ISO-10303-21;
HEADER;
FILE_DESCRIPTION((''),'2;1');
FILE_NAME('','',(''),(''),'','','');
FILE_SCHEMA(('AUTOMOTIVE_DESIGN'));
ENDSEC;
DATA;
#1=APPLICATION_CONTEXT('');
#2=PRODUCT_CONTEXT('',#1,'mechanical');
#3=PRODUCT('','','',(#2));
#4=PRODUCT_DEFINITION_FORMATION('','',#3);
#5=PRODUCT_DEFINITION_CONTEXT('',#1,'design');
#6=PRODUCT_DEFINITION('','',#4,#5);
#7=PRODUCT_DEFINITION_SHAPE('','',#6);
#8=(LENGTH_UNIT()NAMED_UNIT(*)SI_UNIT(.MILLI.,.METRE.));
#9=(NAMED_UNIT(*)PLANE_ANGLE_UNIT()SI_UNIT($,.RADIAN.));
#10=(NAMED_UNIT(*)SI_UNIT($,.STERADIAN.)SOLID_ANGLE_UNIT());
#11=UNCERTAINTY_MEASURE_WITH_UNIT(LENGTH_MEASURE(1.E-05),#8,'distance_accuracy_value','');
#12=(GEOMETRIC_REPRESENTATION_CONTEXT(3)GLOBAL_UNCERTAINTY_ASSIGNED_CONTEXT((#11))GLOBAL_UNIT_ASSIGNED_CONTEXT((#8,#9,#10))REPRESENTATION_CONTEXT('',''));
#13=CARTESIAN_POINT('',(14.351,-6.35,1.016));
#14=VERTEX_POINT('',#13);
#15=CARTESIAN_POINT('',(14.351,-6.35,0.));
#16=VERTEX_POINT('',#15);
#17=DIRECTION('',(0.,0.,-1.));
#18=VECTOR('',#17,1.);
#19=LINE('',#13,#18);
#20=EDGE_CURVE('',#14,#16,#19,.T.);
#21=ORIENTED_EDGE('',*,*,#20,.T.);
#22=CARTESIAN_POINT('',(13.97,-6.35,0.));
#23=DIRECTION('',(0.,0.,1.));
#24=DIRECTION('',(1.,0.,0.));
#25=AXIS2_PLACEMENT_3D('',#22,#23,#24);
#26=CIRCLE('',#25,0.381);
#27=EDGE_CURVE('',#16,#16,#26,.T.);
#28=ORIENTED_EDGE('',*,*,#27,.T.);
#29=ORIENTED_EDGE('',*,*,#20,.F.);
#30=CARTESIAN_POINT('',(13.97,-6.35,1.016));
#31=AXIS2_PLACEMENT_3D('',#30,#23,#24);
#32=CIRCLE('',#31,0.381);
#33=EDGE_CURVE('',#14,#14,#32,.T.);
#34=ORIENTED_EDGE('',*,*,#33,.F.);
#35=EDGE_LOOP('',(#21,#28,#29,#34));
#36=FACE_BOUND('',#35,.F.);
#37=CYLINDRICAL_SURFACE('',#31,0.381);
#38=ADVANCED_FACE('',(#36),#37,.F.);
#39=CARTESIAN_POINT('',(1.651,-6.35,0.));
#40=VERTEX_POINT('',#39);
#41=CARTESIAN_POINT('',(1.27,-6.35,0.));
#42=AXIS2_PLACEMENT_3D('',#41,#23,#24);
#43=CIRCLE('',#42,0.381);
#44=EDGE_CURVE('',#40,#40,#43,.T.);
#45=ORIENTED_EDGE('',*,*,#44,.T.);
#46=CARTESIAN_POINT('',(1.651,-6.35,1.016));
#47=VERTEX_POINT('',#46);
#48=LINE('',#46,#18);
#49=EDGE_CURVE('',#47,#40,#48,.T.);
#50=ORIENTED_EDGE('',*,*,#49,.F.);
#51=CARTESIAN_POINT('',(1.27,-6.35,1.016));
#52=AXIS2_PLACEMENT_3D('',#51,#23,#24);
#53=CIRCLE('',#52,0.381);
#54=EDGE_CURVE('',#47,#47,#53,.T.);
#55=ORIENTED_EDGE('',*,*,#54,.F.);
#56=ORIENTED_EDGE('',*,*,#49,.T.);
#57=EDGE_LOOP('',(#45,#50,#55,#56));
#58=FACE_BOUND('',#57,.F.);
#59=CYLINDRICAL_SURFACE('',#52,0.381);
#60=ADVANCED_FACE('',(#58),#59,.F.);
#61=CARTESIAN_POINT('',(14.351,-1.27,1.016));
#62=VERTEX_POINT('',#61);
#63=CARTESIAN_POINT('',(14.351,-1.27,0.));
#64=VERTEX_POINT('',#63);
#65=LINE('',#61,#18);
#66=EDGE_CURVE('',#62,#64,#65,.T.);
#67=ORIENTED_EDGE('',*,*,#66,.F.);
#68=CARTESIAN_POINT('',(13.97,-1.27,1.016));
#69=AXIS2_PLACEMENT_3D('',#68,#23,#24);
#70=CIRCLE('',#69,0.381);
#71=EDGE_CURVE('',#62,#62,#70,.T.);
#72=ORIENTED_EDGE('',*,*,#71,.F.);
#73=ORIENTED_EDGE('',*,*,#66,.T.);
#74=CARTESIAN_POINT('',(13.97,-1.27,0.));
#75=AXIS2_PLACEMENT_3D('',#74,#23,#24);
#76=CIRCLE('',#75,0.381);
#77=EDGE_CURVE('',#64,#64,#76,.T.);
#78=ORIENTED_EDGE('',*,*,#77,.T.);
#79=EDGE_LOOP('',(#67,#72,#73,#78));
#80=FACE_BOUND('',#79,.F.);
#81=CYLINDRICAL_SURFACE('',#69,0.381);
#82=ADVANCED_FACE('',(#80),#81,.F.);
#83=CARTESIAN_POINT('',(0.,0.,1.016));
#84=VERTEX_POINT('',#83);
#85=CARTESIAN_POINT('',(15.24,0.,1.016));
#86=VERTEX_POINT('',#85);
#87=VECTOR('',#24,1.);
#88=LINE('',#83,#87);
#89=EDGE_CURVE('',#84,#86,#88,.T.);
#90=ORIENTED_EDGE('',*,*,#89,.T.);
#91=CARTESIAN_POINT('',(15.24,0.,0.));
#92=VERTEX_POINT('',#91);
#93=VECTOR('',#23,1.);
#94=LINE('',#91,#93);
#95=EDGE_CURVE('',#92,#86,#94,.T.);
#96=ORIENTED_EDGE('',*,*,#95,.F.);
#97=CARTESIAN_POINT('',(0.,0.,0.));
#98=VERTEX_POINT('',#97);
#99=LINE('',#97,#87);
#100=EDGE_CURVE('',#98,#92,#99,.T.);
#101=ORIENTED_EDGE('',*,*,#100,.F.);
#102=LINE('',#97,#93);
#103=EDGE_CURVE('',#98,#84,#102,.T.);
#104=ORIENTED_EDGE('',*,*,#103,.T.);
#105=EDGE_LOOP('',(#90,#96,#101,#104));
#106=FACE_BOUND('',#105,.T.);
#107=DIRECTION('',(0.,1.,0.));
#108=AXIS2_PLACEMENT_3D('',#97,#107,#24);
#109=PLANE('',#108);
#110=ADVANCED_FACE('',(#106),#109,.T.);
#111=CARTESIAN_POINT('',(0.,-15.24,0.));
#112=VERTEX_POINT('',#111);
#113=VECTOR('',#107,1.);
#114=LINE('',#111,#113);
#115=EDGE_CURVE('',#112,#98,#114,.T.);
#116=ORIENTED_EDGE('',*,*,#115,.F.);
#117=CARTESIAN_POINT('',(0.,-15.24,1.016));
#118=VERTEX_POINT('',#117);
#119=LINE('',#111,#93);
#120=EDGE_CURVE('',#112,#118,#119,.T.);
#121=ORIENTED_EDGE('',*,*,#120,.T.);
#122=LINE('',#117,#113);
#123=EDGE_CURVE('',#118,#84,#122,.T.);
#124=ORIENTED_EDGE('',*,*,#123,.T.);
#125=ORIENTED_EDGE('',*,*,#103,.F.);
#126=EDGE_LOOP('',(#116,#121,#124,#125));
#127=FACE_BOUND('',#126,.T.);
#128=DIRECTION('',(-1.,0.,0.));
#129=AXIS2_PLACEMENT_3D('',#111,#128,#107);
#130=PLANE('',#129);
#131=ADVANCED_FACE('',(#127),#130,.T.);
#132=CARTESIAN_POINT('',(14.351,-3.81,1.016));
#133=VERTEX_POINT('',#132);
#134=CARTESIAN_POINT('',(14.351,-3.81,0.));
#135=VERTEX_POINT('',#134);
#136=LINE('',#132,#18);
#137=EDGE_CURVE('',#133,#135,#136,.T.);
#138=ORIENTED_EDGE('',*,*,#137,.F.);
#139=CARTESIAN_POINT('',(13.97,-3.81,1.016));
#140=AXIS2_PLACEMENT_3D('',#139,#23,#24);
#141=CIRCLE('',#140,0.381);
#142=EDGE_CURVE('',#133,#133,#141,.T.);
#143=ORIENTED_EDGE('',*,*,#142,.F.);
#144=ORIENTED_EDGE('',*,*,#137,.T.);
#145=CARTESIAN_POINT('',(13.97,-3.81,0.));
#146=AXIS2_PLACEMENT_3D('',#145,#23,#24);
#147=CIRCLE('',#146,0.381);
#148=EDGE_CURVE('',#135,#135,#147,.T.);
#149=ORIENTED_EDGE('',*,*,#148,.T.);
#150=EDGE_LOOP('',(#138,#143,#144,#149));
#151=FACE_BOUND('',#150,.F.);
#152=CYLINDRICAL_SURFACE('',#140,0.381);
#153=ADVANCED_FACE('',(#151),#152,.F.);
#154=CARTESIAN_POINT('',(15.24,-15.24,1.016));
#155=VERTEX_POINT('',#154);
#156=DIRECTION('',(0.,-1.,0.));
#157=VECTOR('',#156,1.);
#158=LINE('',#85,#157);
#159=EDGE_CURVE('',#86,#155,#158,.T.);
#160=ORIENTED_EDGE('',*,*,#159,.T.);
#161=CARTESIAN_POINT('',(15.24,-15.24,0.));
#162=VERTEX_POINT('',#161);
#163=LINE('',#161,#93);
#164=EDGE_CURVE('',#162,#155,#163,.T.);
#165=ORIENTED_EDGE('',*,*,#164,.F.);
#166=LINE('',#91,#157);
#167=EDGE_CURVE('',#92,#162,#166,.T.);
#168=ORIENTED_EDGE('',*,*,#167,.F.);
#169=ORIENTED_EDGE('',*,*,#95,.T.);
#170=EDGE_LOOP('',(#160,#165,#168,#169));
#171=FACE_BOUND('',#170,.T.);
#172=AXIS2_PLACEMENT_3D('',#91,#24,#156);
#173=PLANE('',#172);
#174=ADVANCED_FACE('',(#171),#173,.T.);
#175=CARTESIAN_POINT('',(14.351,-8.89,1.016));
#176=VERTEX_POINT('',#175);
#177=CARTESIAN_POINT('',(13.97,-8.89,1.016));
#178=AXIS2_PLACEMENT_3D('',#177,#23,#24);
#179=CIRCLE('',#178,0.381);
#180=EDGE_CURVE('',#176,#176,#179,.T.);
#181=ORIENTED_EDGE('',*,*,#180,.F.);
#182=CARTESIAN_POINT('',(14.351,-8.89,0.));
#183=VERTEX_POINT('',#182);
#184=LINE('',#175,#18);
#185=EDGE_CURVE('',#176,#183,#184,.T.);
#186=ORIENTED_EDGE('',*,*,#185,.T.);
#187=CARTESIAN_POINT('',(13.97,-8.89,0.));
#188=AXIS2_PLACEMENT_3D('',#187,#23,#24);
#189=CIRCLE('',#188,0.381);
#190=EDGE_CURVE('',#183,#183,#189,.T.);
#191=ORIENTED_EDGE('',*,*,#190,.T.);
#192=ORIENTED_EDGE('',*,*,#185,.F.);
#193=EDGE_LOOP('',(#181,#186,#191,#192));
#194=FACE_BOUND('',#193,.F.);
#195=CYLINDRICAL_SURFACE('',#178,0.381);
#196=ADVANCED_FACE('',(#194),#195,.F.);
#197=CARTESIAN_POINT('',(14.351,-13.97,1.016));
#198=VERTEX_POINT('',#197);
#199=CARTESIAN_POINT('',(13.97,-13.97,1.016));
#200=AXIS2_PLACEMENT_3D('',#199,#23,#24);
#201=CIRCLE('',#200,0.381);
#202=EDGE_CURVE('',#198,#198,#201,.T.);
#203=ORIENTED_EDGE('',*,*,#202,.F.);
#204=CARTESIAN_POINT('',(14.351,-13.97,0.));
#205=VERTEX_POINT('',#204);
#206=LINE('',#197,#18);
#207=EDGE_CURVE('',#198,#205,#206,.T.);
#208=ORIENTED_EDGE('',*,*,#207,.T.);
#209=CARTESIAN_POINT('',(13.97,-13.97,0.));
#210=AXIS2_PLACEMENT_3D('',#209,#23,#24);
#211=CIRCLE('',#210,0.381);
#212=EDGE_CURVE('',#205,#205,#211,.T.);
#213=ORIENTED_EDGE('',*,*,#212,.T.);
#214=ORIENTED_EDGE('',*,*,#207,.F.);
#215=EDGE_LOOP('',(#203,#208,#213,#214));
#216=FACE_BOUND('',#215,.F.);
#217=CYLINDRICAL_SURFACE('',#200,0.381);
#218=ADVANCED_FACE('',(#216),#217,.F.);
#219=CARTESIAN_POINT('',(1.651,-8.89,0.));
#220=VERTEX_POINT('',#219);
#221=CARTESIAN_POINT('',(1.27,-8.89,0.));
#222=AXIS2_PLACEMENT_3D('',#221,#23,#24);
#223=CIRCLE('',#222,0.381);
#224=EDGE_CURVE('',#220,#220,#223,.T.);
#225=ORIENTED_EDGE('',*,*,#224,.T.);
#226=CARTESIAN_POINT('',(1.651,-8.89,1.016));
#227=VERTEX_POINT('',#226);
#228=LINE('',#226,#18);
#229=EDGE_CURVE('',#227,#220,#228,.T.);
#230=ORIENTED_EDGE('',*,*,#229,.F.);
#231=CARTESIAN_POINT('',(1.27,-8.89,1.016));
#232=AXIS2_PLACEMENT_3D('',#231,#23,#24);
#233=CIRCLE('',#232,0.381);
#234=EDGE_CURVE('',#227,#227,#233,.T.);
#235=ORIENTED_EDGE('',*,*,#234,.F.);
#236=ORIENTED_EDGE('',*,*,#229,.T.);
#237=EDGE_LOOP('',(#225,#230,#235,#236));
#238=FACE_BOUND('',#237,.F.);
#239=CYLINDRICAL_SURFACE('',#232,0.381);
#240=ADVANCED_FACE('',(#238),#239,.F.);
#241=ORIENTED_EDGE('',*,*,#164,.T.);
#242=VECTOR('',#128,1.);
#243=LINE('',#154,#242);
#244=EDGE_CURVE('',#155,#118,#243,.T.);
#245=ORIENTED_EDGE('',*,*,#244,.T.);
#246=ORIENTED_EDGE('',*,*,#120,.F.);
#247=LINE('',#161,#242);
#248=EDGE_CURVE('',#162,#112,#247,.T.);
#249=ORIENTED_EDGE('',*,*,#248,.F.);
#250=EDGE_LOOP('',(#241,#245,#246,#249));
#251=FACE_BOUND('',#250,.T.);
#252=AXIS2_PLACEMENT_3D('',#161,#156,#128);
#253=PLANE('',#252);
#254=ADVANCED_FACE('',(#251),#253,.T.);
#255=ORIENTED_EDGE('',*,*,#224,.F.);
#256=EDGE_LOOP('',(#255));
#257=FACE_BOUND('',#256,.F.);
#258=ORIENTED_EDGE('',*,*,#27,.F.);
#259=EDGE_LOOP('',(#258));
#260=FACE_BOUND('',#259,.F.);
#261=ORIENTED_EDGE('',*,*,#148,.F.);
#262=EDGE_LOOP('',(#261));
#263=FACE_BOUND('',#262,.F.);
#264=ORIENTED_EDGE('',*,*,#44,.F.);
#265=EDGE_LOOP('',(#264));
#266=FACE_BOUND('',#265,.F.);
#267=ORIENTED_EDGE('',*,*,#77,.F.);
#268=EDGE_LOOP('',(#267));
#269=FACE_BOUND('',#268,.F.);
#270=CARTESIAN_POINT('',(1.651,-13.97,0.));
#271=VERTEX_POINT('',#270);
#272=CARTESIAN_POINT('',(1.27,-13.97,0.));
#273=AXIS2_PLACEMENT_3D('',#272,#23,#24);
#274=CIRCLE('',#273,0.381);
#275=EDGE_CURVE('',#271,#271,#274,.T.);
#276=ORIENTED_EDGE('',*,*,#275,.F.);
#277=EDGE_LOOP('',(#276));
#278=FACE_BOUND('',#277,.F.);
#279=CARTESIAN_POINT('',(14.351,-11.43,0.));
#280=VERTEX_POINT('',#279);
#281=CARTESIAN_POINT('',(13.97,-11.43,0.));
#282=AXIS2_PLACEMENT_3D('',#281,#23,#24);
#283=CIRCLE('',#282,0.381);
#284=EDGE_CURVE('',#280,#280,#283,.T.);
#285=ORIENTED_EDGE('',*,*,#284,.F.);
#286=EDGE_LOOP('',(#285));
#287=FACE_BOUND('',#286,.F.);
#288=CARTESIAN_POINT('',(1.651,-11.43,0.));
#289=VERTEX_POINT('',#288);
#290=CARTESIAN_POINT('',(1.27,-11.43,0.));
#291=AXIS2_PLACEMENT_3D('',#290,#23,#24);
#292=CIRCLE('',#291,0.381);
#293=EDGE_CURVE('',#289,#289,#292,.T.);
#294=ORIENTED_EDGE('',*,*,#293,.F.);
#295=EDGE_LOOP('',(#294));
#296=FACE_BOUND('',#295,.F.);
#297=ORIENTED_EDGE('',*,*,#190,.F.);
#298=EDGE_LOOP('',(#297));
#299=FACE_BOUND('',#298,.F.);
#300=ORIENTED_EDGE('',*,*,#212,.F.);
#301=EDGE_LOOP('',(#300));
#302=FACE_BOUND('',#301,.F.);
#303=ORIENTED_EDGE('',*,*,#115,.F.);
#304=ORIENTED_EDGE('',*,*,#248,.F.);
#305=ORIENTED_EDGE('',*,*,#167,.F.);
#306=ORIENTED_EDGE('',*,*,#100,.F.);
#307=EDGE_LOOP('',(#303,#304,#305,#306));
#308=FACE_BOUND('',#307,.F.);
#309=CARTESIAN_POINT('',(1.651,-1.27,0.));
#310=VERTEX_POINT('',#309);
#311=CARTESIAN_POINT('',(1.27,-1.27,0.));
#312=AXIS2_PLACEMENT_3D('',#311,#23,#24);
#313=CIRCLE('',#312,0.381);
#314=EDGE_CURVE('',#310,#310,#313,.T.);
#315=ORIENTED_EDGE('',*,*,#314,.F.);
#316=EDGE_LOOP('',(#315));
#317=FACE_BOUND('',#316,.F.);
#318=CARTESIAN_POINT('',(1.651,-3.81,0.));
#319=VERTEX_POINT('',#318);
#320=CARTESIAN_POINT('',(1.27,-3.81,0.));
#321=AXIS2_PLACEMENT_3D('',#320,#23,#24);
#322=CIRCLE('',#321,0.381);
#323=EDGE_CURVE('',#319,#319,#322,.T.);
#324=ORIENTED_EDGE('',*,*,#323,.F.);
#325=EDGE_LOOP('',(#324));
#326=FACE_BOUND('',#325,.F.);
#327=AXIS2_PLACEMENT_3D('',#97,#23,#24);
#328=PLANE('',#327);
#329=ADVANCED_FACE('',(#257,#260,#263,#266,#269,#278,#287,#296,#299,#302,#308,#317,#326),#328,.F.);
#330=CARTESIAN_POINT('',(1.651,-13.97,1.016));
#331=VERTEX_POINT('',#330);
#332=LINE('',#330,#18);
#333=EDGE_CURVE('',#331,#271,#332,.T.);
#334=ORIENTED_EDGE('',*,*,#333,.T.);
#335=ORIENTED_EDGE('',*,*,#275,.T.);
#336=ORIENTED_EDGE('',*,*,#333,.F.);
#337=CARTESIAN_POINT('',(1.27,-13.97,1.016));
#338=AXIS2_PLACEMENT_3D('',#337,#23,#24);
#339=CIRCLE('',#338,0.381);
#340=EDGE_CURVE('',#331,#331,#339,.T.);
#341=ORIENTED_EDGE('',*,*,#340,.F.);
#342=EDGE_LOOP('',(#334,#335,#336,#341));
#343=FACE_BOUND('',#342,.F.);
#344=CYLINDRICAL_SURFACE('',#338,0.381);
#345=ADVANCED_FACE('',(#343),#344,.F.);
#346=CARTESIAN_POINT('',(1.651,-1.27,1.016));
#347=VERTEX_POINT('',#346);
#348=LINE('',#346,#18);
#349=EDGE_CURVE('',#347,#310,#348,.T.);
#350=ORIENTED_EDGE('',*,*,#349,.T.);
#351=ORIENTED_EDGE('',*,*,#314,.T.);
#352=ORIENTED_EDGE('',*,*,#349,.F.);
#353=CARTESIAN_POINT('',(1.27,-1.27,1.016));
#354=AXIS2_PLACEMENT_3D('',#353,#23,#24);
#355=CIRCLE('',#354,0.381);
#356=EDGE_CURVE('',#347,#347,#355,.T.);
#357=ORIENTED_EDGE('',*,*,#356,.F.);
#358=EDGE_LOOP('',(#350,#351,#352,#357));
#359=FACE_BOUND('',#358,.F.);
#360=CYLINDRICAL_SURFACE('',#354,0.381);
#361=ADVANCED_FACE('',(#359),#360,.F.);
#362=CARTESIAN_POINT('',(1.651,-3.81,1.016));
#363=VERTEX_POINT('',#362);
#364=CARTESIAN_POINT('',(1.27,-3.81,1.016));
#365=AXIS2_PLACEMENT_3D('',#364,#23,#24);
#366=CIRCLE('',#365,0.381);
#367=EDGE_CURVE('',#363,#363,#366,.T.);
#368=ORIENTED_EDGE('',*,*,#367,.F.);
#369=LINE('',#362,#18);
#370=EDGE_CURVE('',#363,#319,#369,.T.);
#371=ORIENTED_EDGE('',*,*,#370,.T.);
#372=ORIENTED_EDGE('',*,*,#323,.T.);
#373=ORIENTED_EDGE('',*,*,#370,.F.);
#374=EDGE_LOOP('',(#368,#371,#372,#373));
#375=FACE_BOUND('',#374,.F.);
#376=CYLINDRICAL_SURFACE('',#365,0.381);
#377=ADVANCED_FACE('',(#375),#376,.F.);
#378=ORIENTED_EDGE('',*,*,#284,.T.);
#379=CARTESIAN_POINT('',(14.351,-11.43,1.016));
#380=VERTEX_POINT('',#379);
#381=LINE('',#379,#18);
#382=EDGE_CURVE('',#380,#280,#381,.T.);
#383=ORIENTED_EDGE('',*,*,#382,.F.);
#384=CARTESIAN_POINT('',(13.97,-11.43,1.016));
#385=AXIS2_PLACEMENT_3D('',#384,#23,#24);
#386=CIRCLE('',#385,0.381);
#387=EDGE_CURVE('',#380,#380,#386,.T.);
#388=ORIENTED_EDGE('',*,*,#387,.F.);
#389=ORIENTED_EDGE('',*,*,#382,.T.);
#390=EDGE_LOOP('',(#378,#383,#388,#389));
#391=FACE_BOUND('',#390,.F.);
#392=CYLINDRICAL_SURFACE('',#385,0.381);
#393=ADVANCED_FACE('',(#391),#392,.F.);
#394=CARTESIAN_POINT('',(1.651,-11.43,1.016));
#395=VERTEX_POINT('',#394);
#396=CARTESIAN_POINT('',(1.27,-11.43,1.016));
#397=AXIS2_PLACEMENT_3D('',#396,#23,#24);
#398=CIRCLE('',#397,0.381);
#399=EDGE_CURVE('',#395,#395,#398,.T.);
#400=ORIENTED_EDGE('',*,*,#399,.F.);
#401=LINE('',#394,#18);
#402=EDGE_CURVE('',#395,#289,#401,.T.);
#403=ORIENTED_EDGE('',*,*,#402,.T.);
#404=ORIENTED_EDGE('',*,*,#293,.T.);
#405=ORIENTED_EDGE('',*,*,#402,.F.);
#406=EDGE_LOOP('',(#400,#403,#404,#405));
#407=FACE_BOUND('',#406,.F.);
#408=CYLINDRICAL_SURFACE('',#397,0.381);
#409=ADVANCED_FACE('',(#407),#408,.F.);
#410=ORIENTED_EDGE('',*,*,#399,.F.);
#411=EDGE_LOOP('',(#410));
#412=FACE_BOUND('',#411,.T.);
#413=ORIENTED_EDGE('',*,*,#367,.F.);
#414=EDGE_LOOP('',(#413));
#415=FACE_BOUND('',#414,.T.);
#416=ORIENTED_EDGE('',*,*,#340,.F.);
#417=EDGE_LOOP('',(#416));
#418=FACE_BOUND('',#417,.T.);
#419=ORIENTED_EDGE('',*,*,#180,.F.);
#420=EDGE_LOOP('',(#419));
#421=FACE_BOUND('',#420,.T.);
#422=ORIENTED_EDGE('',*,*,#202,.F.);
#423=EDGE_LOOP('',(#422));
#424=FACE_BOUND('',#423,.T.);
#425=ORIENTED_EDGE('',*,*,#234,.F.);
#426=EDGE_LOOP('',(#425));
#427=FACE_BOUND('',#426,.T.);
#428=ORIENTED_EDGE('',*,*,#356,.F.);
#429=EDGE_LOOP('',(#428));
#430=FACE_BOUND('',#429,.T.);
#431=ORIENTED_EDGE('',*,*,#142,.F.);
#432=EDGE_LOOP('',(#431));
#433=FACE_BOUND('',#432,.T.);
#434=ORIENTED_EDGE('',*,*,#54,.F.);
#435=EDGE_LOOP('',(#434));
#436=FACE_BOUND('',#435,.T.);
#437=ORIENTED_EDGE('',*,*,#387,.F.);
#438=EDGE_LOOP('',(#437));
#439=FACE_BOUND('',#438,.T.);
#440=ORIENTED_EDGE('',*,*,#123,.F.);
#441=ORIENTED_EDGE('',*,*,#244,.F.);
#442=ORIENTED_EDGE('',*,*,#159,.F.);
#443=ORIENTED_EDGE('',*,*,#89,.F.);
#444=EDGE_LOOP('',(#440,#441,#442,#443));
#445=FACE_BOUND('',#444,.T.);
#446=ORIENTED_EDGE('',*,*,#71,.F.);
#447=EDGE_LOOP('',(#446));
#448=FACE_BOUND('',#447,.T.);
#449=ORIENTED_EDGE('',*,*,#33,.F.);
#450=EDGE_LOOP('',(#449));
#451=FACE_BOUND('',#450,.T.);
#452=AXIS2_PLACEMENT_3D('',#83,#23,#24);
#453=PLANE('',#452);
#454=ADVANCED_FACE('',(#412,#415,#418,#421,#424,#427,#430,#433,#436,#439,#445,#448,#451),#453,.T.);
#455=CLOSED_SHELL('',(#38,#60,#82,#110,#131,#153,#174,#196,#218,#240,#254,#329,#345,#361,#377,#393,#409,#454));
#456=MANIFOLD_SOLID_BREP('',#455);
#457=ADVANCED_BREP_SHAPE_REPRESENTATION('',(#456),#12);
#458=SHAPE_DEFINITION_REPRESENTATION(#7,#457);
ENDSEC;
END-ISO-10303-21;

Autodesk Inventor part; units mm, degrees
ref_plane "YZ Plane" through (0, 0, 0) normal (1, 0, 0) x (0, 1, 0)
ref_plane "XZ Plane" through (0, 0, 0) normal (0, 1, 0) x (-1, 0, 0)
ref_plane "XY Plane" through (0, 0, 0) normal (0, 0, 1) x (1, 0, 0)
sketch "Sketch1" plane through (0, 0, 0) normal (0, 0, 1) x (1, 0, 0)
  line L0 (0, 0) -> (15.24, 0)
  line L1 (15.24, 0) -> (15.24, -15.24)
  line L2 (15.24, -15.24) -> (0, -15.24)
  line L3 (0, -15.24) -> (0, 0)
  dimension "d0" = 15.24
  dimension "d1" = 15.24
extrude "Extrusion1" add sketch "Sketch1" along normal blind 1.016
sketch "Sketch2" plane through (0, 0, 1.016) normal (0, 0, 1) x (1, 0, 0)
  line L0 (15.24, 0) -> (0, 0) projected
  line L1 (0, 0) -> (0, -15.24) projected
  line L2 (15.24, -15.24) -> (15.24, 0) projected
  circle A0 centre (13.97, -1.27) radius 0.381
  circle A1 centre (13.97, -3.81) radius 0.381
  circle A2 centre (13.97, -6.35) radius 0.381
  circle A3 centre (13.97, -8.89) radius 0.381
  circle A4 centre (13.97, -11.43) radius 0.381
  circle A5 centre (13.97, -13.97) radius 0.381
  circle A6 centre (1.27, -1.27) radius 0.381
  circle A7 centre (1.27, -3.81) radius 0.381
  circle A8 centre (1.27, -6.35) radius 0.381
  circle A9 centre (1.27, -8.89) radius 0.381
  circle A10 centre (1.27, -11.43) radius 0.381
  circle A11 centre (1.27, -13.97) radius 0.381
  dimension "d4" = 0.762
  dimension "d6" = 1.27
  dimension "d7" = 1.27
  dimension "d10" = 2.54
  dimension "d17" = 12.7
extrude "Extrusion2" cut sketch "Sketch2" against normal blind 1.27
properties part number "Board" material "Thermoplastic Resin"
